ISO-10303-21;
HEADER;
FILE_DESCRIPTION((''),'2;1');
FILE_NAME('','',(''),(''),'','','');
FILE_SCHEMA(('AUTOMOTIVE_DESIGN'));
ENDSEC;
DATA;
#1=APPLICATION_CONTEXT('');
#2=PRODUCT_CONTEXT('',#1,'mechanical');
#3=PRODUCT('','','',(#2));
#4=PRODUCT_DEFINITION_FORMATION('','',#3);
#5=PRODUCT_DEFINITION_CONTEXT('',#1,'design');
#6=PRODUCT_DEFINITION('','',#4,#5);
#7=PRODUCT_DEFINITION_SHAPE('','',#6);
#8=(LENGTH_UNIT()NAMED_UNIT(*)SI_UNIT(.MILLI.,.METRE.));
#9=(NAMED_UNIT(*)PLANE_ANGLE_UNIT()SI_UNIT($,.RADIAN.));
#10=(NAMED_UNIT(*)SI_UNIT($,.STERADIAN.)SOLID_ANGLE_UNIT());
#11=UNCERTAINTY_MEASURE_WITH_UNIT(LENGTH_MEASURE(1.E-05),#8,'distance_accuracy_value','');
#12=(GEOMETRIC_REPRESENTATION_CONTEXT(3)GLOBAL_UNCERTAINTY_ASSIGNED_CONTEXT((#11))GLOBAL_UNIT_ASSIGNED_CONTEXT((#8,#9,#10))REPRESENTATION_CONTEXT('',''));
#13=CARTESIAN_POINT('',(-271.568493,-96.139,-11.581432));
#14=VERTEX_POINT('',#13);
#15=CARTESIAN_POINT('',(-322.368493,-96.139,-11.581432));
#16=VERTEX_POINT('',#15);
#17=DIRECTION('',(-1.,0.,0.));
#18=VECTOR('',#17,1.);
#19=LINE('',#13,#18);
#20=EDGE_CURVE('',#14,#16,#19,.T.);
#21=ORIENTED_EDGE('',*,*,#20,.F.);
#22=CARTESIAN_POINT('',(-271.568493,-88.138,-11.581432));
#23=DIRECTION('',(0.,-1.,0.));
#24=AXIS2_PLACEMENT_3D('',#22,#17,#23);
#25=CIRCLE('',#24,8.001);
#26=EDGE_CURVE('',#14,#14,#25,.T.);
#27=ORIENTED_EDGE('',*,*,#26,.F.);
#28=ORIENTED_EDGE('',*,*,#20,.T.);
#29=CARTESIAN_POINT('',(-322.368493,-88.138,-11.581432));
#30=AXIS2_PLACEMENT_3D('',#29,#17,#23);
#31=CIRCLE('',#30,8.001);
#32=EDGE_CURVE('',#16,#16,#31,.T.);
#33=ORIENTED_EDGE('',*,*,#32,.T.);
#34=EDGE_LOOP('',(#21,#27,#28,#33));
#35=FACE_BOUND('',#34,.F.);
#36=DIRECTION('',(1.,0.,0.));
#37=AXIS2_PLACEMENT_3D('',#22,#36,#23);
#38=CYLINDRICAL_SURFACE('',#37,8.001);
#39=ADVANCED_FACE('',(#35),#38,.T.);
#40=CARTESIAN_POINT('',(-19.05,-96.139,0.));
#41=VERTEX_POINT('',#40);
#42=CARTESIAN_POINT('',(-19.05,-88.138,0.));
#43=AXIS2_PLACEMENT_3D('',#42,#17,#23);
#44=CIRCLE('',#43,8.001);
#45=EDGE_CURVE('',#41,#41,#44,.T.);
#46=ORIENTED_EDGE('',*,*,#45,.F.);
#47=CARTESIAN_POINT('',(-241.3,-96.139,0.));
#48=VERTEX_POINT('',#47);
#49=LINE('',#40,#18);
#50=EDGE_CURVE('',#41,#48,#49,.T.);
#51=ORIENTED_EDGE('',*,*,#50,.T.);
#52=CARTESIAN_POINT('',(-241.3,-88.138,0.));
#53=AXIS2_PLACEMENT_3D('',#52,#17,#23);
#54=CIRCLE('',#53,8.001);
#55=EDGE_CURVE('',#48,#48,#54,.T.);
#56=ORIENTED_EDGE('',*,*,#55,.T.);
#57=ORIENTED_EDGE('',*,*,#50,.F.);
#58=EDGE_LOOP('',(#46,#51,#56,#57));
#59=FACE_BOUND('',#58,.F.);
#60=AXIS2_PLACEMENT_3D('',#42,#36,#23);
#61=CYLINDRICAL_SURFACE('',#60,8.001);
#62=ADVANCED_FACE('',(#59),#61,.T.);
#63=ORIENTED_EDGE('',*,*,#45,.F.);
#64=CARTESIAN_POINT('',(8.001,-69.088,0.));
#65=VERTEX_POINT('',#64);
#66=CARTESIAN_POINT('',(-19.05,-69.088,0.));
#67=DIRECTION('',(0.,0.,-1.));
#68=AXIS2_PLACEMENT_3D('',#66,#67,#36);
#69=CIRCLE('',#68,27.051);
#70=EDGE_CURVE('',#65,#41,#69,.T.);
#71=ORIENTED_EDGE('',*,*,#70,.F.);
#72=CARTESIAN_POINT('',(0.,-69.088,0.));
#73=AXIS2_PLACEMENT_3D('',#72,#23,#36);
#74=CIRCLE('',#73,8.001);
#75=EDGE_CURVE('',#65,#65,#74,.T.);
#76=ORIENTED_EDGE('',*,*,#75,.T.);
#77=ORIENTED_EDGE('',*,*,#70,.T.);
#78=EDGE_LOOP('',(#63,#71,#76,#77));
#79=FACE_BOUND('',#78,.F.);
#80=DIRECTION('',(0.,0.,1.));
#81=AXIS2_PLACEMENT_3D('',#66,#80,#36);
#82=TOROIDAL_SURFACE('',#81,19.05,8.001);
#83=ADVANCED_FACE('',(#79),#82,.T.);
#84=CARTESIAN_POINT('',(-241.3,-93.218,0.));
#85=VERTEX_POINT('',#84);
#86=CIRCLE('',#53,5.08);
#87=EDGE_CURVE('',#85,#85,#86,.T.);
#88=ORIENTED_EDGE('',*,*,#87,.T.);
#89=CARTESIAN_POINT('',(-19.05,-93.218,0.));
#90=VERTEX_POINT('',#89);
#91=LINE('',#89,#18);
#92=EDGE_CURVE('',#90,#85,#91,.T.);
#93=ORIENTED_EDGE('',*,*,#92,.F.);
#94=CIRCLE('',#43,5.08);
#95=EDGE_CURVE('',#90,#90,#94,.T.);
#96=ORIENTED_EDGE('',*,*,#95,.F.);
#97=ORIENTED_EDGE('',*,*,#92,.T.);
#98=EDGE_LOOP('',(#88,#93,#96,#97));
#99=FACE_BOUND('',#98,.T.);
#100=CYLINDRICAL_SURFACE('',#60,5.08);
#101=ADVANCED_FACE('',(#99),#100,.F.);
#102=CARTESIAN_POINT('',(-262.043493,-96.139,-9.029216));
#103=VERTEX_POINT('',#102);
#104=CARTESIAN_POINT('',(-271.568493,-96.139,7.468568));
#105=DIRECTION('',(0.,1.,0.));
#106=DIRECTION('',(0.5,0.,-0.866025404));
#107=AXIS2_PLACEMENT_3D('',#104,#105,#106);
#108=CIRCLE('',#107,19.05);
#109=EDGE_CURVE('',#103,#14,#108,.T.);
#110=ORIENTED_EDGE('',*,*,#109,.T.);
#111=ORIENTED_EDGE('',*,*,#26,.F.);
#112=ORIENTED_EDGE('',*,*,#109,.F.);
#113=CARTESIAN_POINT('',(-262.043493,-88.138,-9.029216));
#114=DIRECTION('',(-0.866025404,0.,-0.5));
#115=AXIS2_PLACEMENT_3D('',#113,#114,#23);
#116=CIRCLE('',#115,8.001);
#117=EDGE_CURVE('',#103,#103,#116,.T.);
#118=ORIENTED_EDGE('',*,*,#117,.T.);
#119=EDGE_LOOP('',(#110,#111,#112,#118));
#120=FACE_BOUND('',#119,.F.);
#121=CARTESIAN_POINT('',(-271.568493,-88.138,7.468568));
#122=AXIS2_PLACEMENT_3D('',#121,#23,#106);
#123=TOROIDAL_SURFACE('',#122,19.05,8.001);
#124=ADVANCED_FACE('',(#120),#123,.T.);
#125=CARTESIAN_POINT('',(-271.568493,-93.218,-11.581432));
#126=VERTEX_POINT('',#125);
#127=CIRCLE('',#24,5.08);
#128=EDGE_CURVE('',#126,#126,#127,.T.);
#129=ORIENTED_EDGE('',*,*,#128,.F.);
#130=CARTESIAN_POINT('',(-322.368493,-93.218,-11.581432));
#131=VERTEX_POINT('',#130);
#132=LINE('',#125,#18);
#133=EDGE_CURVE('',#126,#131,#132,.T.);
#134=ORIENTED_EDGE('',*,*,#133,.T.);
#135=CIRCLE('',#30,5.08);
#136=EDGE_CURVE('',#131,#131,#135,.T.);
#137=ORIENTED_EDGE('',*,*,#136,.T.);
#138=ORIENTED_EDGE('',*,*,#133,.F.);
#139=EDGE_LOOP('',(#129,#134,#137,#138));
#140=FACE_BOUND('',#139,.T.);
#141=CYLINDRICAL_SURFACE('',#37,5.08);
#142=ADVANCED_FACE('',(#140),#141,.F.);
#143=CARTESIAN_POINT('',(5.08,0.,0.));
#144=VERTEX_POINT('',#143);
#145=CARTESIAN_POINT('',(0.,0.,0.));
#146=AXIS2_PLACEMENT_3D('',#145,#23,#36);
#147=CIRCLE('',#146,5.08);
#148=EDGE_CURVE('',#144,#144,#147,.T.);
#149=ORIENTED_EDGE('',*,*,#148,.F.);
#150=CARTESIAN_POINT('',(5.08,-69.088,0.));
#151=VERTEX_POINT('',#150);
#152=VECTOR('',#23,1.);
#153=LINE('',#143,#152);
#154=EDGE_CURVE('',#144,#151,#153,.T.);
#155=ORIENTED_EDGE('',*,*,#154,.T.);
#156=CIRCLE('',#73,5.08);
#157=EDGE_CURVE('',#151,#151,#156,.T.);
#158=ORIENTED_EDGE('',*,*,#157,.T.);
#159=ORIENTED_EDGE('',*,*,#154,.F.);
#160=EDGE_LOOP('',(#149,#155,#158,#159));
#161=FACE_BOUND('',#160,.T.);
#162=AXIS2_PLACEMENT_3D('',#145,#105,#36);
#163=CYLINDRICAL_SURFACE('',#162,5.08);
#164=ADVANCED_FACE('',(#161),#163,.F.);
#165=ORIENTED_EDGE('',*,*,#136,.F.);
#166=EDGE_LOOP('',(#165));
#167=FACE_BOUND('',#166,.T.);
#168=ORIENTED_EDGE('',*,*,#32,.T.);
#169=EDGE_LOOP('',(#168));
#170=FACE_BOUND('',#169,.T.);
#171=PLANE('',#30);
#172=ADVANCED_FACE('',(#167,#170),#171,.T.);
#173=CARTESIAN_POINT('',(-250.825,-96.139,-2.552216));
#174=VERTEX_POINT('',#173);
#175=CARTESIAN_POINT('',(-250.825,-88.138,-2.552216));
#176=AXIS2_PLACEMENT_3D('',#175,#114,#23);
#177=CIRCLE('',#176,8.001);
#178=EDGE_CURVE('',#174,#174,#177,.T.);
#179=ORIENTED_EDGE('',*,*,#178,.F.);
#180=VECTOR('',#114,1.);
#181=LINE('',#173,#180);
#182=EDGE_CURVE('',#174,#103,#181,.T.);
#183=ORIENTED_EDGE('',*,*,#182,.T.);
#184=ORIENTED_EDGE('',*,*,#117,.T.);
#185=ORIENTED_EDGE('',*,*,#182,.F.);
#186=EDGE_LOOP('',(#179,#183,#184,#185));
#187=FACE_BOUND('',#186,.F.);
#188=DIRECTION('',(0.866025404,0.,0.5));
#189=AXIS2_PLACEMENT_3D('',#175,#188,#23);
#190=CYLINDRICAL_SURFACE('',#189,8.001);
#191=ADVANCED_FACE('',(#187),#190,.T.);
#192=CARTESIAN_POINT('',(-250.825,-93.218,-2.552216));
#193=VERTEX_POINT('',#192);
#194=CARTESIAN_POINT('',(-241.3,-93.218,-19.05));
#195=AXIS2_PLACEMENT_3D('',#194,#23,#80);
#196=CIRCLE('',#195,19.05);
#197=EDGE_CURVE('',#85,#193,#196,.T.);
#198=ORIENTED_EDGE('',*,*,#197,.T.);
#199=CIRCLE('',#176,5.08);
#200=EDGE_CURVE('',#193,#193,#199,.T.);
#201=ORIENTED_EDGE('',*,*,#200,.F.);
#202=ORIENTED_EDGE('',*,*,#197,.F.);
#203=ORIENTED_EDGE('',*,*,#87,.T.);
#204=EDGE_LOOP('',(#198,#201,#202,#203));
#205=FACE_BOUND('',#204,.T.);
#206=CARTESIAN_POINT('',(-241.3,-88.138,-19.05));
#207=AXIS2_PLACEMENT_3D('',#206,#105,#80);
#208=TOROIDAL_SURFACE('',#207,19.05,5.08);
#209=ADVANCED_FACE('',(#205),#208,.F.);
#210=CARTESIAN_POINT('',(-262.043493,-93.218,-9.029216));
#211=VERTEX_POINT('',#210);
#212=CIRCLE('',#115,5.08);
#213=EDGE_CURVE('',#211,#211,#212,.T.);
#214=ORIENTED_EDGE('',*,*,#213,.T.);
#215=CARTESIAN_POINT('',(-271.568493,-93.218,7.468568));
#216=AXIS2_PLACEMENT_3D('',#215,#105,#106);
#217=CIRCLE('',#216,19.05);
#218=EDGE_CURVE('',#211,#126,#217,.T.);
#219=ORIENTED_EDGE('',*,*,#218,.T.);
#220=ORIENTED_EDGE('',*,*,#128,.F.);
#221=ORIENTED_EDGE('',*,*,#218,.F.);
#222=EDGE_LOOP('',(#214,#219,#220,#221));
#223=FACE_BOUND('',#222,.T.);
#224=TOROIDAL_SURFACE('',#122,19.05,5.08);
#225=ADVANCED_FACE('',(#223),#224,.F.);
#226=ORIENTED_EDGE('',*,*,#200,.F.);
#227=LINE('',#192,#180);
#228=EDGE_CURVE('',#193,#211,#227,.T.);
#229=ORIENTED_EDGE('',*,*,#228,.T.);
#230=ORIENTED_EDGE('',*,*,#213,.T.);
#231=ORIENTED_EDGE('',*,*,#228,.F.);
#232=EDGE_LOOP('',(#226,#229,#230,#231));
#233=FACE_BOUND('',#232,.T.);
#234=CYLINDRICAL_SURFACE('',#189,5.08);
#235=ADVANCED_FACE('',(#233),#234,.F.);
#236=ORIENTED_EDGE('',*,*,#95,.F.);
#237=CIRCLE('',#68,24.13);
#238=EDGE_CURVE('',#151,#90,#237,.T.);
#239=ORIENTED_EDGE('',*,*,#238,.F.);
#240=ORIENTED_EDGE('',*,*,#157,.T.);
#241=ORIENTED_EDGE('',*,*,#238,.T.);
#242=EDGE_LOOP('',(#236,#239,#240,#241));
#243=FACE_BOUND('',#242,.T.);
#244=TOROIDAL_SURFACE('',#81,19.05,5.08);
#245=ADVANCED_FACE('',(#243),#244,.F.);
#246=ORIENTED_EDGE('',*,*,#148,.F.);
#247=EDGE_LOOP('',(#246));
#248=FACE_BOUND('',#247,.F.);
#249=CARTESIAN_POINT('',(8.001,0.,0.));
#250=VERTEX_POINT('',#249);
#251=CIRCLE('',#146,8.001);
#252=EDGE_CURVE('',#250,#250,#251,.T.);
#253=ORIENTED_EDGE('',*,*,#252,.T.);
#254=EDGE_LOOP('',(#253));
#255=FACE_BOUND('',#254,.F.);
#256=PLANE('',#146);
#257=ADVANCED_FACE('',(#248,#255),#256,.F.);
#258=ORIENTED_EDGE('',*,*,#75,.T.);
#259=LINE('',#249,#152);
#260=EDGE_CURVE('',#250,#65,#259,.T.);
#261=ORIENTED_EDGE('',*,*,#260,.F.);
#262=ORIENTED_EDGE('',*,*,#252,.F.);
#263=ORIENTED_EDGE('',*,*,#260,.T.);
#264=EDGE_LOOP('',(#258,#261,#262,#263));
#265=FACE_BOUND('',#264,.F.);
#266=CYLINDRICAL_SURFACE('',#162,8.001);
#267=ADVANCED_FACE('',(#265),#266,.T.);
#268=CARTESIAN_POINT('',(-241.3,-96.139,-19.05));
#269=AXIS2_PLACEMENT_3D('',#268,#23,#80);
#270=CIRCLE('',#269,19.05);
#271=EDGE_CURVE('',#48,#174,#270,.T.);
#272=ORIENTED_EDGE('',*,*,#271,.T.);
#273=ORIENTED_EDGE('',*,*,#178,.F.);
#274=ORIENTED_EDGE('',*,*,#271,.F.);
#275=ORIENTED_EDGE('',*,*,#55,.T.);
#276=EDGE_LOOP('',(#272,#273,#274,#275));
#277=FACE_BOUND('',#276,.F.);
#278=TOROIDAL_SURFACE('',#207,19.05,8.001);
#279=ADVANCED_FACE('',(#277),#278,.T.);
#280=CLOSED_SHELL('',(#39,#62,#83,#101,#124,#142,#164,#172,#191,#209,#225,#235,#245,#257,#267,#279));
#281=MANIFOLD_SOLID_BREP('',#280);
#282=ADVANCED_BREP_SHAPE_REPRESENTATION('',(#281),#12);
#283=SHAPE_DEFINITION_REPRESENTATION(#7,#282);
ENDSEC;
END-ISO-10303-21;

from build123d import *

# Parameters (mm, degrees)
F0_R      = 8.001
F0_R_2    = 5.08
F1_DEPTH  = 69.088
F2_R      = 8.001
F2_R_2    = 5.08
F3_ANGLE  = 90
F4_R      = 8.001
F4_R_2    = 5.08
F5_DEPTH  = 222.25
F6_R      = 8.001
F6_R_2    = 5.08
F7_ANGLE  = 30
F8_R      = 8.001
F8_R_2    = 5.08
F9_DEPTH  = 12.954
F10_R     = 8.001
F10_R_2   = 5.08
F11_ANGLE = 30
F12_R     = 8.001
F12_R_2   = 5.08
F13_DEPTH = 50.8


with BuildPart() as f1:
    # F0 (on Front) → F1 (new body)
    with BuildSketch(Plane.XZ):
        Circle(F0_R)
        Circle(F0_R_2, mode=Mode.SUBTRACT)
    extrude(amount=F1_DEPTH)

    # F2 (on face) → F3 (revolve)
    with BuildSketch(Plane.XZ.offset(69.088)):
        Circle(F2_R)
        Circle(F2_R_2, mode=Mode.SUBTRACT)
    revolve(axis=Axis((-19.05, -69.088, 2.9448331334), (0, 0, -1)), revolution_arc=F3_ANGLE)

    # F4 (on face) → F5 (join)
    with BuildSketch(Plane(origin=(-19.05, 0, 0), x_dir=(0, -1, 0), z_dir=(-1, 0, 0))):
        with Locations((88.138, 0)):
            Circle(F4_R)
        with Locations((88.138, 0)):
            Circle(F4_R_2, mode=Mode.SUBTRACT)
    extrude(amount=F5_DEPTH)

    # F6 (on face) → F7 (revolve)
    with BuildSketch(Plane(origin=(-241.3, 0, 0), x_dir=(0, -1, 0), z_dir=(-1, 0, 0))):
        with Locations((88.138, 0)):
            Circle(F6_R)
        with Locations((88.138, 0)):
            Circle(F6_R_2, mode=Mode.SUBTRACT)
    revolve(axis=Axis((-241.3, -89.2251888638, -19.05), (0, -1, 0)), revolution_arc=F7_ANGLE)

    # F8 (on face) → F9 (join)
    with BuildSketch(Plane(origin=(-189.223891971, 0, -109.2484649666), x_dir=(0, -1, 0), z_dir=(-0.8660254038, 0, -0.5))):
        with Locations((88.138, 123.2022160579)):
            Circle(F8_R)
        with Locations((88.138, 123.2022160579)):
            Circle(F8_R_2, mode=Mode.SUBTRACT)
    extrude(amount=F9_DEPTH)

    # F10 (on face) → F11 (revolve)
    with BuildSketch(Plane(origin=(-200.4423850517, 0, -115.7254649666), x_dir=(0, -1, 0), z_dir=(-0.8660254038, 0, -0.5))):
        with Locations((88.138, 123.2022160579)):
            Circle(F10_R)
        with Locations((88.138, 123.2022160579)):
            Circle(F10_R_2, mode=Mode.SUBTRACT)
    revolve(axis=Axis((-271.5684930806, -88.2795984273, 7.4685678842), (0, 1, 0)), revolution_arc=F11_ANGLE)

    # F12 (on face) → F13 (join)
    with BuildSketch(Plane(origin=(-271.5684930806, 0, 0), x_dir=(0, -1, 0), z_dir=(-1, 0, 0))):
        with Locations((88.138, -11.5814321158)):
            Circle(F12_R)
        with Locations((88.138, -11.5814321158)):
            Circle(F12_R_2, mode=Mode.SUBTRACT)
    extrude(amount=F13_DEPTH)


solid = f1.part
